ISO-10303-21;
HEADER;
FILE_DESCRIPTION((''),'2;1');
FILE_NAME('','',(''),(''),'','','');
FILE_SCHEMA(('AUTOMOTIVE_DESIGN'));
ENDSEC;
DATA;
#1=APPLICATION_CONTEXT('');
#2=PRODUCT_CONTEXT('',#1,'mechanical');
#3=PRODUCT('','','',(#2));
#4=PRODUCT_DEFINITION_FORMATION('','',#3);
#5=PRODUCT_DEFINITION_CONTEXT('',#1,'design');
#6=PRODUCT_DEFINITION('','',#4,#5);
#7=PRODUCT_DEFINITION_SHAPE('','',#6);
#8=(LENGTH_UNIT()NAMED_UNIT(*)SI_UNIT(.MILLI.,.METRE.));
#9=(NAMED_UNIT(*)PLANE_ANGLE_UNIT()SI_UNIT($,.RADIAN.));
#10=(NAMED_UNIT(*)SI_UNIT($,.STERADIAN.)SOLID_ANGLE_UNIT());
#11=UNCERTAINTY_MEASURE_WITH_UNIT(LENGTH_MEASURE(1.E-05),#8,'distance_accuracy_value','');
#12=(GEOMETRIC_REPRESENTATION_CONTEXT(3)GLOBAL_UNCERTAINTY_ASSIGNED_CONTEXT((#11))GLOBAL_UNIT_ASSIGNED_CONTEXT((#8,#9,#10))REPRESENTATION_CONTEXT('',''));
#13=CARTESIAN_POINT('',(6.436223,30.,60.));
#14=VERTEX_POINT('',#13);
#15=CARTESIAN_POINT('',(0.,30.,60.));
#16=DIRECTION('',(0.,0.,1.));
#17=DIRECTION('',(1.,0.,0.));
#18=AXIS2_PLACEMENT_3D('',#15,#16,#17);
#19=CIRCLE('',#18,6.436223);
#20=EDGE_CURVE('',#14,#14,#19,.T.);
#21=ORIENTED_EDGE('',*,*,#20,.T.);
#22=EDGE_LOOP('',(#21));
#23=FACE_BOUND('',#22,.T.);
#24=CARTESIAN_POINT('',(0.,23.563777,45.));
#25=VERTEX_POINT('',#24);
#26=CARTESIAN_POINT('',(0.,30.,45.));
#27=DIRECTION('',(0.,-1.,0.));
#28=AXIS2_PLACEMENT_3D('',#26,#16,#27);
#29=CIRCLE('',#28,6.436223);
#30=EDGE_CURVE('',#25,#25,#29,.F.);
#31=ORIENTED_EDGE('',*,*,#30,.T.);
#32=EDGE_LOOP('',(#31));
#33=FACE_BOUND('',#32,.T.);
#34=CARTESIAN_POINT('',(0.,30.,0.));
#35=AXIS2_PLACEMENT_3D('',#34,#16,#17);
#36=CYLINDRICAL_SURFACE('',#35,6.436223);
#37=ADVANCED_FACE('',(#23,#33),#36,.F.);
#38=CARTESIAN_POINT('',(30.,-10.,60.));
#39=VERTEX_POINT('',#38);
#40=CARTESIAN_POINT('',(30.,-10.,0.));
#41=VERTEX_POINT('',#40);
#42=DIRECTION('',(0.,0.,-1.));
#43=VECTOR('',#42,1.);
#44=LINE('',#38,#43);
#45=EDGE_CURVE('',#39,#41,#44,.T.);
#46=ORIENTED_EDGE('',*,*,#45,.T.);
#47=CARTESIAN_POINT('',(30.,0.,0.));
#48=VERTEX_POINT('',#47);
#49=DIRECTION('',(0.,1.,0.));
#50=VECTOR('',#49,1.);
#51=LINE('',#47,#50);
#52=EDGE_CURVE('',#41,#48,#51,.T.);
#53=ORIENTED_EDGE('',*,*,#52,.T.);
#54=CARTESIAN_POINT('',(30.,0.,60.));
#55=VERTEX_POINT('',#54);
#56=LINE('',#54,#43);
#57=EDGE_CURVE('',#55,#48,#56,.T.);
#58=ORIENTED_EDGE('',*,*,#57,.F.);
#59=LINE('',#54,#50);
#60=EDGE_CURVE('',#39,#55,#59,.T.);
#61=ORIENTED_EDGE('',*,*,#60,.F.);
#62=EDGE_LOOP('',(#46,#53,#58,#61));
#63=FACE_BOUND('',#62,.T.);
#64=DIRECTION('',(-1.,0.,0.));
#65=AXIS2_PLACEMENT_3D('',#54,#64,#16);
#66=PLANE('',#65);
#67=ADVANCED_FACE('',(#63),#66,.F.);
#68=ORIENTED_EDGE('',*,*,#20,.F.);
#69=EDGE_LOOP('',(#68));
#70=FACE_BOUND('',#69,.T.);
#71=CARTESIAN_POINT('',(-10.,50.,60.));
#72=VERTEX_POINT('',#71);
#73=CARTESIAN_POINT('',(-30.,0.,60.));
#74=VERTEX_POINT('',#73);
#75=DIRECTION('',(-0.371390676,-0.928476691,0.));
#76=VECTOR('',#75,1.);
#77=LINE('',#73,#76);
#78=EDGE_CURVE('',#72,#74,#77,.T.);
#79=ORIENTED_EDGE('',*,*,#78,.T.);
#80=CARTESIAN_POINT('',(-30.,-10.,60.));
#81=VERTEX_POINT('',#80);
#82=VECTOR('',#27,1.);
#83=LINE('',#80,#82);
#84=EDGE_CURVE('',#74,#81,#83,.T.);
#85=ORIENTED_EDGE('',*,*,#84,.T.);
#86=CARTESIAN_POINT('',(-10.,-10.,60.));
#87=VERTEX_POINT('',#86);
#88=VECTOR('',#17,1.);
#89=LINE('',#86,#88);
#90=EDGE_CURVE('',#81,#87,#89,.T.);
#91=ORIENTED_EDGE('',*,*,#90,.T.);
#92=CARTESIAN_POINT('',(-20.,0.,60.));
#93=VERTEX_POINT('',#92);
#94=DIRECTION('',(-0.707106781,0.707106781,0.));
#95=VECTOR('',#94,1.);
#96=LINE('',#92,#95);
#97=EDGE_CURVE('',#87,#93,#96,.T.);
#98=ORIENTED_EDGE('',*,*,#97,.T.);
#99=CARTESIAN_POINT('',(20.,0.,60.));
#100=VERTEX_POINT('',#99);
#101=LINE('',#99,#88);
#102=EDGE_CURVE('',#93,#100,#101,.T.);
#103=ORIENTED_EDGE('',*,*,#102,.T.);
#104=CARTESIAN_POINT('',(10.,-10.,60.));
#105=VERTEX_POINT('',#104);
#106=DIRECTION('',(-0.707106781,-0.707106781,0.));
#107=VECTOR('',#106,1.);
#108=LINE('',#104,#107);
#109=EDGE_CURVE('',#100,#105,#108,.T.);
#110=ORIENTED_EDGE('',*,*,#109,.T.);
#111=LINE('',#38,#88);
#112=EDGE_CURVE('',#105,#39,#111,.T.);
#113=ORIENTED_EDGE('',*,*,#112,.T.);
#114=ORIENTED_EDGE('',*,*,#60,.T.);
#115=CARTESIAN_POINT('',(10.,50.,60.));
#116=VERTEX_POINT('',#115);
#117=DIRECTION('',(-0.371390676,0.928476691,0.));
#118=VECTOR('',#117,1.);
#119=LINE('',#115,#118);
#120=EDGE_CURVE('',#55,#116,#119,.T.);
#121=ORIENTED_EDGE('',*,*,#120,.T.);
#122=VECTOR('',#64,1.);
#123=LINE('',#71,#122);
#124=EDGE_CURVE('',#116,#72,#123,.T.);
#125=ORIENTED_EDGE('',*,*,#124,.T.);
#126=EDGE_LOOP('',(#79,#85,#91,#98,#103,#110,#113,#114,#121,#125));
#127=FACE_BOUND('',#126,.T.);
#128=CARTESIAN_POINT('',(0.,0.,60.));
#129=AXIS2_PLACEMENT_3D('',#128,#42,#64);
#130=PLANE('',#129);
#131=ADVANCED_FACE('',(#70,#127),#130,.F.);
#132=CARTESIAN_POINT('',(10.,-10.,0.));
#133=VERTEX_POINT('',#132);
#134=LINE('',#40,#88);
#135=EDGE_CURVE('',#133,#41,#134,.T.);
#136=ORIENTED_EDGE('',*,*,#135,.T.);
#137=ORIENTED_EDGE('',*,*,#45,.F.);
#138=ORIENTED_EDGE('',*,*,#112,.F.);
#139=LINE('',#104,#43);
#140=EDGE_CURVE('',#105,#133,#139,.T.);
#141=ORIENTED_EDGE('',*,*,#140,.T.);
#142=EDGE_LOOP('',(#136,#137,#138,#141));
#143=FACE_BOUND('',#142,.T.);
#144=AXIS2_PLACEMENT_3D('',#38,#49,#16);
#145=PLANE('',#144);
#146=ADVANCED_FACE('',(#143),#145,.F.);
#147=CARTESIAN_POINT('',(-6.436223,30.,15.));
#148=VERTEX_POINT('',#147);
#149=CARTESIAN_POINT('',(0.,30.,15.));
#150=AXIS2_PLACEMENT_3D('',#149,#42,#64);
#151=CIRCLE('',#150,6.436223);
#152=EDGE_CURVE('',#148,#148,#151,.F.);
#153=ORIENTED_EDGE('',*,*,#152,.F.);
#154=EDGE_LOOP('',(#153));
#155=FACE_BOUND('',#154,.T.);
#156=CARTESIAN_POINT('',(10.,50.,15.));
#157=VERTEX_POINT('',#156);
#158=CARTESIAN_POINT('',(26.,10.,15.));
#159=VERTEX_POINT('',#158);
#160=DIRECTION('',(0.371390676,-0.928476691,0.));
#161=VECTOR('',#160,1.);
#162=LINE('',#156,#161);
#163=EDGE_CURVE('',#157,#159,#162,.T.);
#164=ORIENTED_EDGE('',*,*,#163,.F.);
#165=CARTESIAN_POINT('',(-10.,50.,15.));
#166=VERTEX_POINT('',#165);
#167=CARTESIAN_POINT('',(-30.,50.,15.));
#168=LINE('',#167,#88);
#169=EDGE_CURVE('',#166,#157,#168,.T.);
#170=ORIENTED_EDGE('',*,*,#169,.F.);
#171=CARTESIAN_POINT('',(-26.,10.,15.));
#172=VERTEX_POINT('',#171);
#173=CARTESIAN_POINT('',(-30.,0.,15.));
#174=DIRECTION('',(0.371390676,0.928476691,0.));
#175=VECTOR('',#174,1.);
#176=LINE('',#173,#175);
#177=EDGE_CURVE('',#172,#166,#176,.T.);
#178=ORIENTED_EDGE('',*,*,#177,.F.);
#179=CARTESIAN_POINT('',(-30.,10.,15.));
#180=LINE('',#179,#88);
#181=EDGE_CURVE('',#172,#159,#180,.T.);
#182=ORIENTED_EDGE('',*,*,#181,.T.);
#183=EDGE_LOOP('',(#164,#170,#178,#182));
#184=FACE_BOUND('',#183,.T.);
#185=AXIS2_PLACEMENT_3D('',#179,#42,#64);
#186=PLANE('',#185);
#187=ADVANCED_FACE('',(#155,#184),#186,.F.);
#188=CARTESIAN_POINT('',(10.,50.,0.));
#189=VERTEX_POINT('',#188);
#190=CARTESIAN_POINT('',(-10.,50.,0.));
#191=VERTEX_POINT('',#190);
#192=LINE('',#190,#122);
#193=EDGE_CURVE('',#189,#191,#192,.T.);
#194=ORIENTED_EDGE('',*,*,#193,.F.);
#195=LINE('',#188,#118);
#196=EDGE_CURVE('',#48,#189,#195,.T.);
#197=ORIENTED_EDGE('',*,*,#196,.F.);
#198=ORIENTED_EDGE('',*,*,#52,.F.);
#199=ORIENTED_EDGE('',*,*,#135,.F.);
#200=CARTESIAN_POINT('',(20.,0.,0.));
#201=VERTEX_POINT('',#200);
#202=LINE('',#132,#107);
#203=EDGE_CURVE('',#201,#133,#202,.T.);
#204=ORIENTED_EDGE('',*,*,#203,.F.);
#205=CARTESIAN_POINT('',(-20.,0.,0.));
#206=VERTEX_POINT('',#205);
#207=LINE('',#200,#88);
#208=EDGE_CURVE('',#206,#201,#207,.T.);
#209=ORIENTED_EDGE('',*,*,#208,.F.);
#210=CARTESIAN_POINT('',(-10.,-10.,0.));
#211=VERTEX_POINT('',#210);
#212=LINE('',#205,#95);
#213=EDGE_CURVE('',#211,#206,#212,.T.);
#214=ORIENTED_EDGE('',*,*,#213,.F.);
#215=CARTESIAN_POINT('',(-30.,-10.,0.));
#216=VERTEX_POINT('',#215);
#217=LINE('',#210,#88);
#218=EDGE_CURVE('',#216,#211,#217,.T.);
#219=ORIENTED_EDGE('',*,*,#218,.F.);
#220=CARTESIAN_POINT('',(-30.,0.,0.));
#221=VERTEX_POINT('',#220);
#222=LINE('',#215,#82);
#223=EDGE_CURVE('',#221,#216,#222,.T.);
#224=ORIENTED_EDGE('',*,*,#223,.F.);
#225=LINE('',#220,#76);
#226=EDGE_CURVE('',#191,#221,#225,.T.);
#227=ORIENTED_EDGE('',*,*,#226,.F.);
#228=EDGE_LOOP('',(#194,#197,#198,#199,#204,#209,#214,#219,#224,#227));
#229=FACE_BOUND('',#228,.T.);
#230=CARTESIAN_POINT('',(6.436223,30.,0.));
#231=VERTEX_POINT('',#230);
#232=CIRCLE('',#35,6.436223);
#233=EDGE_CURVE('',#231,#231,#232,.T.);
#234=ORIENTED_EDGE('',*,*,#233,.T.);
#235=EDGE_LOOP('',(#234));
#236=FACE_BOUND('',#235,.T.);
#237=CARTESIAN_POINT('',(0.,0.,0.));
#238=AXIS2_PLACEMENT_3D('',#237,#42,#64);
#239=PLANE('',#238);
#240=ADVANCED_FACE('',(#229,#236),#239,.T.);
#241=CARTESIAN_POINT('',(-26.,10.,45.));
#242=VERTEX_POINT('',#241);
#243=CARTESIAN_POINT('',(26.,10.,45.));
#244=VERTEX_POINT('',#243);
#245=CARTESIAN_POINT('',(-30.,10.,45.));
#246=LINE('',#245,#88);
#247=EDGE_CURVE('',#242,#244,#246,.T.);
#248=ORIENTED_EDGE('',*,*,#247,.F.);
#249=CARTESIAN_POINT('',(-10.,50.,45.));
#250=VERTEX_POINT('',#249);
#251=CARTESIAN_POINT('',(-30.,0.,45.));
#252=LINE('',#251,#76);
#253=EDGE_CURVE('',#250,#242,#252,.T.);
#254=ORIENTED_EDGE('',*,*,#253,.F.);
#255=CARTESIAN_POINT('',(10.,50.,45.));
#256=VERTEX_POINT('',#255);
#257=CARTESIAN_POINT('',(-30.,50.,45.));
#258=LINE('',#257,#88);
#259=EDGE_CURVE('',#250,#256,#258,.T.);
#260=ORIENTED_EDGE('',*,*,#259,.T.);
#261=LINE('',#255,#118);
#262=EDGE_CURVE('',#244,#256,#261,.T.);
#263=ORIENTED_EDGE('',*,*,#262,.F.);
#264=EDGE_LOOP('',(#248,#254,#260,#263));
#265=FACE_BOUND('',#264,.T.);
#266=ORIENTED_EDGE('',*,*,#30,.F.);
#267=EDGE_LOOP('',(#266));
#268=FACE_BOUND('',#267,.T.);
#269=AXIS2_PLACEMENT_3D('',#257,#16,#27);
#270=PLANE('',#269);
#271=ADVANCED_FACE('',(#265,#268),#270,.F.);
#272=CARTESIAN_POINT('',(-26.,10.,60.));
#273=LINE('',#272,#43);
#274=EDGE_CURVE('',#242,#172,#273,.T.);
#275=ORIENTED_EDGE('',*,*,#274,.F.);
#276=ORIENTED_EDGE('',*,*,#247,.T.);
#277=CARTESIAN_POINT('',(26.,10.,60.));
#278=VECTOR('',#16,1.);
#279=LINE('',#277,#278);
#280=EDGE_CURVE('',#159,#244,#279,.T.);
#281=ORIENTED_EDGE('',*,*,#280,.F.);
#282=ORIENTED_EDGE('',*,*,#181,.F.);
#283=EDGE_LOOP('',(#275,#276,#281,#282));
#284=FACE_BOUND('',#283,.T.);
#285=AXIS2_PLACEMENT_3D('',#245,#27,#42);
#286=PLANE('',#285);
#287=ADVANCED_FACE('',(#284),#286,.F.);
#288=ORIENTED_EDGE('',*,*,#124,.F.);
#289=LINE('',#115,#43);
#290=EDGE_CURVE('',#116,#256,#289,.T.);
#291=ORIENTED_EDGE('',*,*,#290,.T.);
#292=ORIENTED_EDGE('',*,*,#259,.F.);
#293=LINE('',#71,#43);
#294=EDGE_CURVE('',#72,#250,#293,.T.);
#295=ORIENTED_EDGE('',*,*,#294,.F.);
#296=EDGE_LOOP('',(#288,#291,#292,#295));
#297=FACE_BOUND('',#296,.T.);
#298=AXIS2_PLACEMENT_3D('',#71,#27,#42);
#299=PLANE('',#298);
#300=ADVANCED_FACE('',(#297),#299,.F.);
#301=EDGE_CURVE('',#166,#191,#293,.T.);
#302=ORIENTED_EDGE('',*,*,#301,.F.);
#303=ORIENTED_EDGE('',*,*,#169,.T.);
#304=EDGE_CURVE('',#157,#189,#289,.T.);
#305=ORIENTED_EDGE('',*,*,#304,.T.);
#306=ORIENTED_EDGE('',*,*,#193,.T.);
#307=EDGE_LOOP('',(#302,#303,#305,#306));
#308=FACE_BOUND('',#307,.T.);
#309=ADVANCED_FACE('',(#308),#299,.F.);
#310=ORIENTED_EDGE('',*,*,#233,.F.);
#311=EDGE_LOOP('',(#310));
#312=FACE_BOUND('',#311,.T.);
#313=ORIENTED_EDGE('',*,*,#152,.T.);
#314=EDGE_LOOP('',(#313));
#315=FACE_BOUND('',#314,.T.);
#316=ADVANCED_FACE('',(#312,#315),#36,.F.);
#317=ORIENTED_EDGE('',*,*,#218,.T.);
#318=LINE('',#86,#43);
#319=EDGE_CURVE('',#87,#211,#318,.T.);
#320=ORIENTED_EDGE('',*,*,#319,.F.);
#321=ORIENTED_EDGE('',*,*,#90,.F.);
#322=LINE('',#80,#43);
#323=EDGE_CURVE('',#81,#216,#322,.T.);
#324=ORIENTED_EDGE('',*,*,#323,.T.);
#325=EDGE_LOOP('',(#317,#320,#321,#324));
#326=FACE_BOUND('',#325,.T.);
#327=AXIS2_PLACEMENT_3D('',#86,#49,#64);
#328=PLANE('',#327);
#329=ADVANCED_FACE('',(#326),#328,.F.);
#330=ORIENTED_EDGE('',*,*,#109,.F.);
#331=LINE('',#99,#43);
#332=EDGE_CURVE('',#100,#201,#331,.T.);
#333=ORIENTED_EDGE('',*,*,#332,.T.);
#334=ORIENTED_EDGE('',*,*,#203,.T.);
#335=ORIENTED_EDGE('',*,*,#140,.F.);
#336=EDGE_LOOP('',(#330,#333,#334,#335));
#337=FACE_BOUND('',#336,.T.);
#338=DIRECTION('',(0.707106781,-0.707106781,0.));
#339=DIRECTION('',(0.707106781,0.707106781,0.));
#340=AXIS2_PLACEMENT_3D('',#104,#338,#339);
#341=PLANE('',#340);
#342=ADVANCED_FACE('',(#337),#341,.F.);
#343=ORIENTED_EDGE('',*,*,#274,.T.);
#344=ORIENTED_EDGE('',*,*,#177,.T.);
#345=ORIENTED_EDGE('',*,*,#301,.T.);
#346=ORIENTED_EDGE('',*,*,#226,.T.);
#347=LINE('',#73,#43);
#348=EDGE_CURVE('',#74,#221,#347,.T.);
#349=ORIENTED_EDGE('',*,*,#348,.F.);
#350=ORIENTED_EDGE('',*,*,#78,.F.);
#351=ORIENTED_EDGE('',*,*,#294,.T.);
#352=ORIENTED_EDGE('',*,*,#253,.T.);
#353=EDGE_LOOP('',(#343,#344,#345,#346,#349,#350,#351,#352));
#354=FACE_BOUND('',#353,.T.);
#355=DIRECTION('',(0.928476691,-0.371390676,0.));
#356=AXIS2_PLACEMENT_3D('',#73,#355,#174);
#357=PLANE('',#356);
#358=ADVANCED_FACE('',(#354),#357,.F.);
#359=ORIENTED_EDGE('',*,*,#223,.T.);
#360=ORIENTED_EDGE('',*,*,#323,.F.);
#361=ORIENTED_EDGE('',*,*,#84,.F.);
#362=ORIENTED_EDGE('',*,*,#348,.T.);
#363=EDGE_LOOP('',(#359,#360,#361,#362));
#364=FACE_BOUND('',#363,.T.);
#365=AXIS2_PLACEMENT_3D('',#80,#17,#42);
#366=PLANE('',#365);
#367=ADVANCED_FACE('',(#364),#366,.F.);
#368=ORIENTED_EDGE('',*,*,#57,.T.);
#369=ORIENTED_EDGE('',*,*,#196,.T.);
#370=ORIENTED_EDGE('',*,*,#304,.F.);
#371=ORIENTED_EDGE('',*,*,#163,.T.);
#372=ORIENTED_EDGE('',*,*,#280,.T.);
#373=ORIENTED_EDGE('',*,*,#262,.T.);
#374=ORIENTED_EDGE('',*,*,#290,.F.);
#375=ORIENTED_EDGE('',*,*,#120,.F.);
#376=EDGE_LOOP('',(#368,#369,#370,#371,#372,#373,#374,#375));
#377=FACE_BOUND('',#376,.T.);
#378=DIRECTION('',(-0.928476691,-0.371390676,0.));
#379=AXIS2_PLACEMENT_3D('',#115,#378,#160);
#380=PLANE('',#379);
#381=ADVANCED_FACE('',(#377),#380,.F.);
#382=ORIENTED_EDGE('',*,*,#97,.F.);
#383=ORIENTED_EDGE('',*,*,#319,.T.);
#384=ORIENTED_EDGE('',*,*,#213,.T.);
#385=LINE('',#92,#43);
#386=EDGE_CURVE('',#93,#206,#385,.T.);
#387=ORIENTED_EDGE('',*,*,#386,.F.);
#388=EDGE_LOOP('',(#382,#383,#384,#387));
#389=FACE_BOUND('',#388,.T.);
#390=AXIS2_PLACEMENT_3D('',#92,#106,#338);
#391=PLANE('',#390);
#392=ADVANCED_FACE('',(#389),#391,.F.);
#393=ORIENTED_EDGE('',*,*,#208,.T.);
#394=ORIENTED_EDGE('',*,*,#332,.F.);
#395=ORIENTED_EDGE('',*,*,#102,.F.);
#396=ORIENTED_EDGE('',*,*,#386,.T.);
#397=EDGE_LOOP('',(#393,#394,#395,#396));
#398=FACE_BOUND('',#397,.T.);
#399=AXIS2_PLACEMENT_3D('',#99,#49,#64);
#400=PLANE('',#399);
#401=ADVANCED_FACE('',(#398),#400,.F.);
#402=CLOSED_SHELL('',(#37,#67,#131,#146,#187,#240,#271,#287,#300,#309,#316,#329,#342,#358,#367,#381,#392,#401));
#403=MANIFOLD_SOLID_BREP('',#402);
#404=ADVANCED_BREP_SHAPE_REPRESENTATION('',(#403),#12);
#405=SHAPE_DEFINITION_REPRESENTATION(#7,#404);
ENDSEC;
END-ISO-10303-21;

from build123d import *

# Parameters (mm, degrees)
BOSS_EXTRUDE1_DEPTH = 60
SKETCH3_R           = 6.436223385
CUT_EXTRUDE1_DEPTH  = 61
SKETCH9_W           = 30
SKETCH9_H           = 40
CUT_EXTRUDE3_DEPTH  = 61


with BuildPart() as part:
    # Sketch2 → Boss-Extrude1 (new body)
    with BuildSketch(Plane.XY):
        Polygon((-30, -10), (-30, 0), (-10, 50), (10, 50), (30, 0), (30, -10), (10, -10), (20, 0), (-20, 0), (-10, -10), align=None)
    extrude(amount=BOSS_EXTRUDE1_DEPTH)

    # Sketch3 → Cut-Extrude1 (cut, through all)
    with BuildSketch(Plane.XY.offset(60)):
        with Locations((0, 30)):
            Circle(SKETCH3_R)
    extrude(amount=-CUT_EXTRUDE1_DEPTH, mode=Mode.SUBTRACT)

    # Sketch9 → Cut-Extrude3 (cut, through all)
    with BuildSketch(Plane(origin=(30, 0, 0), x_dir=(0, 0, -1), z_dir=(1, 0, 0))):
        with Locations((-30, 30)):
            Rectangle(SKETCH9_W, SKETCH9_H)
    extrude(amount=-CUT_EXTRUDE3_DEPTH, mode=Mode.SUBTRACT)


solid = part.part
